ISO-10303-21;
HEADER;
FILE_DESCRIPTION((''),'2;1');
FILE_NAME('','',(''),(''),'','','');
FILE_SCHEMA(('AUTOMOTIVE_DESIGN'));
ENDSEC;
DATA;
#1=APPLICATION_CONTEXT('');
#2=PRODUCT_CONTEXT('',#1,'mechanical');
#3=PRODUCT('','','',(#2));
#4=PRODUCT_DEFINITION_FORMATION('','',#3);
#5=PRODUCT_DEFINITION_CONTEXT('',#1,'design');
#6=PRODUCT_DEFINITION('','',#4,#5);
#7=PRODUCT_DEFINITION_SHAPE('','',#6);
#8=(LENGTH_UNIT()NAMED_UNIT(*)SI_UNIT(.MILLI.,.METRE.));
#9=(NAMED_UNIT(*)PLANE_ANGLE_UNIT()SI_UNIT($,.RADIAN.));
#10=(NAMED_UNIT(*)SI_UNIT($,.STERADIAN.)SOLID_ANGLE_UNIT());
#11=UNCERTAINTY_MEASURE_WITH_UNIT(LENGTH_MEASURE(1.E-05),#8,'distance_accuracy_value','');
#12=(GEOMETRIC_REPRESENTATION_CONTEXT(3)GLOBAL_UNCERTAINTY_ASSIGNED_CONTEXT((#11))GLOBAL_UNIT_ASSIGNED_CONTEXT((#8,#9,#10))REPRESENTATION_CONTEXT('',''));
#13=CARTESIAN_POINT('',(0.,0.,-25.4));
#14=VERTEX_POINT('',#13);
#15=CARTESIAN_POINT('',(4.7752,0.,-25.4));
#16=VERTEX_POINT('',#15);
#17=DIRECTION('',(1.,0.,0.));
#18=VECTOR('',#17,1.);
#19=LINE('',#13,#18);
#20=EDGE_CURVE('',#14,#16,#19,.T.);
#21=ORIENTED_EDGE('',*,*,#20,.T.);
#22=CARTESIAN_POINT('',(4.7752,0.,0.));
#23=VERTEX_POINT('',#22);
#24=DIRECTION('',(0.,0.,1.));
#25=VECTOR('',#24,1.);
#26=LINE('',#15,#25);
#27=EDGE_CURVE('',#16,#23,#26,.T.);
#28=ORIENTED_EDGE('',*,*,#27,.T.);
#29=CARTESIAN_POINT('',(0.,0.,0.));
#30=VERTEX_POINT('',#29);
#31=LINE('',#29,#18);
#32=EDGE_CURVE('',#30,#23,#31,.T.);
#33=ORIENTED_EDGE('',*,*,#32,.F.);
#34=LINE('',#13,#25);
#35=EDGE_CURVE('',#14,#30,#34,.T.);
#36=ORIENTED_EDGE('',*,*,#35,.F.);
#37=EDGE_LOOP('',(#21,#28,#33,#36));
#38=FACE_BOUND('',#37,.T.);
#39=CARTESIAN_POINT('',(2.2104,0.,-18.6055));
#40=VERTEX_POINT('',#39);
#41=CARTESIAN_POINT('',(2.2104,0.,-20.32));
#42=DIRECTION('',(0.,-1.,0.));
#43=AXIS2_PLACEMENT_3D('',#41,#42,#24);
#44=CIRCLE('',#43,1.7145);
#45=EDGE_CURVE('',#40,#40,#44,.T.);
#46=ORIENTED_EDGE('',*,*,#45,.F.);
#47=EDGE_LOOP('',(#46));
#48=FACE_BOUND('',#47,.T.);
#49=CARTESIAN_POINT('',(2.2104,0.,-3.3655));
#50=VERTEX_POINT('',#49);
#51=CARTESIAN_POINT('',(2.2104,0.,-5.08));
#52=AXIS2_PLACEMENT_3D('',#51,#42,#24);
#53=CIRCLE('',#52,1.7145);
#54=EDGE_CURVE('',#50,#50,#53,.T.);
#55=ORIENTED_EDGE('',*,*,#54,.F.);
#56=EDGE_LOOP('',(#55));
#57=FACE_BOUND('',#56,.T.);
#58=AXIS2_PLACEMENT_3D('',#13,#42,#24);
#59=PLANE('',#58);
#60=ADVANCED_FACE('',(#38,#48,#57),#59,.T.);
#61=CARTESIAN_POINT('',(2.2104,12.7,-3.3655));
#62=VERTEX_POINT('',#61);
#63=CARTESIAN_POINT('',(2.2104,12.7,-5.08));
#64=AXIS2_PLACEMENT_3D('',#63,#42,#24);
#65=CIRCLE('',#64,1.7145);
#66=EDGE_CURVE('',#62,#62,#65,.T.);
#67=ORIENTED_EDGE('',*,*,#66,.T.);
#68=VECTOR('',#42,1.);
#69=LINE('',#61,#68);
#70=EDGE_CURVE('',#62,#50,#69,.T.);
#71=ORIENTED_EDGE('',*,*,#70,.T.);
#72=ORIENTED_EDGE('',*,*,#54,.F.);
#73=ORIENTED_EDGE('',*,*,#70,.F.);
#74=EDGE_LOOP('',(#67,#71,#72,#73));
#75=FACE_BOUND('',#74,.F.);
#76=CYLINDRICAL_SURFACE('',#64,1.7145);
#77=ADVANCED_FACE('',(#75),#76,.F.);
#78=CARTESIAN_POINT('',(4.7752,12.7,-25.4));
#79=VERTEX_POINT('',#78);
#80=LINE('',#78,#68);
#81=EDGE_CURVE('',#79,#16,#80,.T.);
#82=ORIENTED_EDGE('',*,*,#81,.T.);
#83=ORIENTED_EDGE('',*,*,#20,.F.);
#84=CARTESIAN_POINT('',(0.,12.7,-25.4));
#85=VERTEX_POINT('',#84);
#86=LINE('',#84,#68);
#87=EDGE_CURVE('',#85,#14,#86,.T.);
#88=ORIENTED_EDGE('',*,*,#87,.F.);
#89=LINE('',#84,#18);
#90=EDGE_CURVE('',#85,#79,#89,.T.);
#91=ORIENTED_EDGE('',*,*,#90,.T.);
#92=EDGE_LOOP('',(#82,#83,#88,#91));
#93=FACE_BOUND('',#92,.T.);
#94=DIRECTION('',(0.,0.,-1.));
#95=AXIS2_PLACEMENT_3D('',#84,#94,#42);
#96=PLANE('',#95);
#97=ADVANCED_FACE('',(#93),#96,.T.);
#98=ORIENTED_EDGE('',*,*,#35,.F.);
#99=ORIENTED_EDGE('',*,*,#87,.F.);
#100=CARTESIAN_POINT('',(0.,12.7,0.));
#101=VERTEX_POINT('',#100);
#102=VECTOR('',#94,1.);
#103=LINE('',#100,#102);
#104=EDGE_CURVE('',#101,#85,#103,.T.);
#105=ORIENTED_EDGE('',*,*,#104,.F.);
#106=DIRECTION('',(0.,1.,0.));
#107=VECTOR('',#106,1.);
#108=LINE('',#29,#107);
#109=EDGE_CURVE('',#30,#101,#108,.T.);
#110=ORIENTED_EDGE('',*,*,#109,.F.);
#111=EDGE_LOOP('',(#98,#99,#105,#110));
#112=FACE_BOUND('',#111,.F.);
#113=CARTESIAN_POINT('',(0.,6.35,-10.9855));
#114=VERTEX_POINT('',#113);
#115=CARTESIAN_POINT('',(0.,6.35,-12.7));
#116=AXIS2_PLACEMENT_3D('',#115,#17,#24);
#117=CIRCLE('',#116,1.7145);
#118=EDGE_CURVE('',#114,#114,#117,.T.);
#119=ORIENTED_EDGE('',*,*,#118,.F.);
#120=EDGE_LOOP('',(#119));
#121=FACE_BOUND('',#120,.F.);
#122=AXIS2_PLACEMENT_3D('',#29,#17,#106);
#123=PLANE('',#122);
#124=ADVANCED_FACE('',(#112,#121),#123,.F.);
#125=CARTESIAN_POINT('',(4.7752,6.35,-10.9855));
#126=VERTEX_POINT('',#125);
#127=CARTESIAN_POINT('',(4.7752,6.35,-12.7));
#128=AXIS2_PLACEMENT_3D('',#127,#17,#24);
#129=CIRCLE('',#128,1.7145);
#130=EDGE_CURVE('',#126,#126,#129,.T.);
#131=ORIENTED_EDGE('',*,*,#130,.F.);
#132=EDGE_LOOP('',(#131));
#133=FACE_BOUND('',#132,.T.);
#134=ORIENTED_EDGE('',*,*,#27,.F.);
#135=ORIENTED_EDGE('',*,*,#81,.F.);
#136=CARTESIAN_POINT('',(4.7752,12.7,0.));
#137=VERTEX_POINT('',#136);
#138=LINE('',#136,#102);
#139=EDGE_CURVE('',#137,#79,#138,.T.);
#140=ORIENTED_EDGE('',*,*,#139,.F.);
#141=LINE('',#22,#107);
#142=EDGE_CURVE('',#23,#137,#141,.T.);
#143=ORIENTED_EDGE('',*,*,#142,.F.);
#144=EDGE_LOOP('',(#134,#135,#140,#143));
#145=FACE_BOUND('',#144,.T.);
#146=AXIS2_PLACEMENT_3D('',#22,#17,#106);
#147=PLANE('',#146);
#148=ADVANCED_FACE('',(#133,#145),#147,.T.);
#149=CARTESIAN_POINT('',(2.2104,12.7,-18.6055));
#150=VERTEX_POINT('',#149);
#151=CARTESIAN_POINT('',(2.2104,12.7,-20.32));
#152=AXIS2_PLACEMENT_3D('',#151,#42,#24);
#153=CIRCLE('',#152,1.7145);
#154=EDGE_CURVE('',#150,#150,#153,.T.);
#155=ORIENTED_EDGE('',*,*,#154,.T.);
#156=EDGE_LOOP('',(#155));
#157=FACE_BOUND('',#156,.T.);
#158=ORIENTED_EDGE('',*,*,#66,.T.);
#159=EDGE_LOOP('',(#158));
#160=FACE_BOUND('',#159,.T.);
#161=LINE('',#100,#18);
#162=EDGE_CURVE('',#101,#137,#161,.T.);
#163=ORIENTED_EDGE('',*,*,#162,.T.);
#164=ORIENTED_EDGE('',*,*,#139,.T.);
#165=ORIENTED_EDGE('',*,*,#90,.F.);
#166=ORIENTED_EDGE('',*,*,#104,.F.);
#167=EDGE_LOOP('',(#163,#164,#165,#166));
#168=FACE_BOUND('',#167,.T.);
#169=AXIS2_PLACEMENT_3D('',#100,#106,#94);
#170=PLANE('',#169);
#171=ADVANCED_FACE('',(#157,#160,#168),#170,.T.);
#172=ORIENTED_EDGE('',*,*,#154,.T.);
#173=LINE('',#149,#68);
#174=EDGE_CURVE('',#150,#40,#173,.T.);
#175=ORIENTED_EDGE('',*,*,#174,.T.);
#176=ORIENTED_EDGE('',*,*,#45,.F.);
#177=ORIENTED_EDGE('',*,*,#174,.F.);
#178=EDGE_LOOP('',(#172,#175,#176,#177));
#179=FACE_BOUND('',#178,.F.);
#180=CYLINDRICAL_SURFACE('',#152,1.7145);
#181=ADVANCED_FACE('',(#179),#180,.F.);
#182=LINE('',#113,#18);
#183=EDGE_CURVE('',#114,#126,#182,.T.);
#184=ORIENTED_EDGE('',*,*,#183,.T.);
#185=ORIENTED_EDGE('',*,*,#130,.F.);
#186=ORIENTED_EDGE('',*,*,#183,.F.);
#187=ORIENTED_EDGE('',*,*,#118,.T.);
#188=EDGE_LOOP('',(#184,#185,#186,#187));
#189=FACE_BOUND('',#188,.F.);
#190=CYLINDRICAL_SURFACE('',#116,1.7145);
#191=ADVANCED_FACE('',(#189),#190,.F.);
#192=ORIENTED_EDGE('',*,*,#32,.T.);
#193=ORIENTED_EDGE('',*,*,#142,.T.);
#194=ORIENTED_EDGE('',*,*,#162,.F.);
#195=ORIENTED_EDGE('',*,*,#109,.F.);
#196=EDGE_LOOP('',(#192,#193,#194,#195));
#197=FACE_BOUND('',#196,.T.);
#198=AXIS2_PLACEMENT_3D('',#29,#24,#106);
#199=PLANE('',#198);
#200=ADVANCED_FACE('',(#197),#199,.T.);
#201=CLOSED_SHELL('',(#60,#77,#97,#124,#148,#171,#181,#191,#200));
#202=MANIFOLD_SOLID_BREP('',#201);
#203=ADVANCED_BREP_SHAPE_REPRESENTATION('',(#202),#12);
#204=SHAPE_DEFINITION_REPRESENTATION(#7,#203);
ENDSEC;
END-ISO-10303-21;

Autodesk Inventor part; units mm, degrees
ref_plane "YZ Plane" through (0, 0, 0) normal (1, 0, 0) x (0, 1, 0)
ref_plane "XZ Plane" through (0, 0, 0) normal (0, 1, 0) x (-1, 0, 0)
ref_plane "XY Plane" through (0, 0, 0) normal (0, 0, 1) x (1, 0, 0)
sketch "Sketch1" plane through (0, 0, 0) normal (1, 0, 0) x (0, 1, 0)
  line L0 (0, 0) -> (12.7, 0)
  line L1 (12.7, 0) -> (12.7, -25.4)
  line L2 (12.7, -25.4) -> (0, -25.4)
  line L3 (0, -25.4) -> (0, 0)
  dimension "d0" = 12.7
  dimension "d1" = 25.4
extrude "Extrusion1" add sketch "Sketch1" along normal blind 4.7752
sketch "Sketch2" plane through (0, 12.7, 0) normal (0, 1, 0) x (1, 0, 0)
  line L0 (0, 25.4) -> (4.7752, 25.4) projected
  line L1 (0, 0) -> (4.7752, 0) projected
  point P0 (2.2104, 5.08)
  point P1 (2.2104, 20.32)
  dimension "d22" = 5.08
  dimension "d23" = 5.08
hole "Hole1" at (2.2104, 12.7, -5.08) at (2.2104, 12.7, -20.32) direction (0, -1, 0) diameter 3.429 end through all
sketch "Sketch3" plane through (0, 0, 0) normal (-1, 0, 0) x (0, 0, 1)
  line L0 (0, 12.7) -> (-25.4, 12.7) projected
  line L1 (-25.4, 0) -> (0, 0) projected
  line L2 (0, 0) -> (0, 12.7) projected
  point P0 (-12.7, 6.35)
  dimension "d11" = 12.7
  dimension "d12" = 25.4
  dimension "d13" = 6.35
  dimension "d14" = 12.7
hole "Hole2" at (0, 6.35, -12.7) direction (1, 0, 0) diameter 3.429 end through all
equation "\"d13\" = 0.5 * d11"
properties part number "WheelIntakeSpringStop"
